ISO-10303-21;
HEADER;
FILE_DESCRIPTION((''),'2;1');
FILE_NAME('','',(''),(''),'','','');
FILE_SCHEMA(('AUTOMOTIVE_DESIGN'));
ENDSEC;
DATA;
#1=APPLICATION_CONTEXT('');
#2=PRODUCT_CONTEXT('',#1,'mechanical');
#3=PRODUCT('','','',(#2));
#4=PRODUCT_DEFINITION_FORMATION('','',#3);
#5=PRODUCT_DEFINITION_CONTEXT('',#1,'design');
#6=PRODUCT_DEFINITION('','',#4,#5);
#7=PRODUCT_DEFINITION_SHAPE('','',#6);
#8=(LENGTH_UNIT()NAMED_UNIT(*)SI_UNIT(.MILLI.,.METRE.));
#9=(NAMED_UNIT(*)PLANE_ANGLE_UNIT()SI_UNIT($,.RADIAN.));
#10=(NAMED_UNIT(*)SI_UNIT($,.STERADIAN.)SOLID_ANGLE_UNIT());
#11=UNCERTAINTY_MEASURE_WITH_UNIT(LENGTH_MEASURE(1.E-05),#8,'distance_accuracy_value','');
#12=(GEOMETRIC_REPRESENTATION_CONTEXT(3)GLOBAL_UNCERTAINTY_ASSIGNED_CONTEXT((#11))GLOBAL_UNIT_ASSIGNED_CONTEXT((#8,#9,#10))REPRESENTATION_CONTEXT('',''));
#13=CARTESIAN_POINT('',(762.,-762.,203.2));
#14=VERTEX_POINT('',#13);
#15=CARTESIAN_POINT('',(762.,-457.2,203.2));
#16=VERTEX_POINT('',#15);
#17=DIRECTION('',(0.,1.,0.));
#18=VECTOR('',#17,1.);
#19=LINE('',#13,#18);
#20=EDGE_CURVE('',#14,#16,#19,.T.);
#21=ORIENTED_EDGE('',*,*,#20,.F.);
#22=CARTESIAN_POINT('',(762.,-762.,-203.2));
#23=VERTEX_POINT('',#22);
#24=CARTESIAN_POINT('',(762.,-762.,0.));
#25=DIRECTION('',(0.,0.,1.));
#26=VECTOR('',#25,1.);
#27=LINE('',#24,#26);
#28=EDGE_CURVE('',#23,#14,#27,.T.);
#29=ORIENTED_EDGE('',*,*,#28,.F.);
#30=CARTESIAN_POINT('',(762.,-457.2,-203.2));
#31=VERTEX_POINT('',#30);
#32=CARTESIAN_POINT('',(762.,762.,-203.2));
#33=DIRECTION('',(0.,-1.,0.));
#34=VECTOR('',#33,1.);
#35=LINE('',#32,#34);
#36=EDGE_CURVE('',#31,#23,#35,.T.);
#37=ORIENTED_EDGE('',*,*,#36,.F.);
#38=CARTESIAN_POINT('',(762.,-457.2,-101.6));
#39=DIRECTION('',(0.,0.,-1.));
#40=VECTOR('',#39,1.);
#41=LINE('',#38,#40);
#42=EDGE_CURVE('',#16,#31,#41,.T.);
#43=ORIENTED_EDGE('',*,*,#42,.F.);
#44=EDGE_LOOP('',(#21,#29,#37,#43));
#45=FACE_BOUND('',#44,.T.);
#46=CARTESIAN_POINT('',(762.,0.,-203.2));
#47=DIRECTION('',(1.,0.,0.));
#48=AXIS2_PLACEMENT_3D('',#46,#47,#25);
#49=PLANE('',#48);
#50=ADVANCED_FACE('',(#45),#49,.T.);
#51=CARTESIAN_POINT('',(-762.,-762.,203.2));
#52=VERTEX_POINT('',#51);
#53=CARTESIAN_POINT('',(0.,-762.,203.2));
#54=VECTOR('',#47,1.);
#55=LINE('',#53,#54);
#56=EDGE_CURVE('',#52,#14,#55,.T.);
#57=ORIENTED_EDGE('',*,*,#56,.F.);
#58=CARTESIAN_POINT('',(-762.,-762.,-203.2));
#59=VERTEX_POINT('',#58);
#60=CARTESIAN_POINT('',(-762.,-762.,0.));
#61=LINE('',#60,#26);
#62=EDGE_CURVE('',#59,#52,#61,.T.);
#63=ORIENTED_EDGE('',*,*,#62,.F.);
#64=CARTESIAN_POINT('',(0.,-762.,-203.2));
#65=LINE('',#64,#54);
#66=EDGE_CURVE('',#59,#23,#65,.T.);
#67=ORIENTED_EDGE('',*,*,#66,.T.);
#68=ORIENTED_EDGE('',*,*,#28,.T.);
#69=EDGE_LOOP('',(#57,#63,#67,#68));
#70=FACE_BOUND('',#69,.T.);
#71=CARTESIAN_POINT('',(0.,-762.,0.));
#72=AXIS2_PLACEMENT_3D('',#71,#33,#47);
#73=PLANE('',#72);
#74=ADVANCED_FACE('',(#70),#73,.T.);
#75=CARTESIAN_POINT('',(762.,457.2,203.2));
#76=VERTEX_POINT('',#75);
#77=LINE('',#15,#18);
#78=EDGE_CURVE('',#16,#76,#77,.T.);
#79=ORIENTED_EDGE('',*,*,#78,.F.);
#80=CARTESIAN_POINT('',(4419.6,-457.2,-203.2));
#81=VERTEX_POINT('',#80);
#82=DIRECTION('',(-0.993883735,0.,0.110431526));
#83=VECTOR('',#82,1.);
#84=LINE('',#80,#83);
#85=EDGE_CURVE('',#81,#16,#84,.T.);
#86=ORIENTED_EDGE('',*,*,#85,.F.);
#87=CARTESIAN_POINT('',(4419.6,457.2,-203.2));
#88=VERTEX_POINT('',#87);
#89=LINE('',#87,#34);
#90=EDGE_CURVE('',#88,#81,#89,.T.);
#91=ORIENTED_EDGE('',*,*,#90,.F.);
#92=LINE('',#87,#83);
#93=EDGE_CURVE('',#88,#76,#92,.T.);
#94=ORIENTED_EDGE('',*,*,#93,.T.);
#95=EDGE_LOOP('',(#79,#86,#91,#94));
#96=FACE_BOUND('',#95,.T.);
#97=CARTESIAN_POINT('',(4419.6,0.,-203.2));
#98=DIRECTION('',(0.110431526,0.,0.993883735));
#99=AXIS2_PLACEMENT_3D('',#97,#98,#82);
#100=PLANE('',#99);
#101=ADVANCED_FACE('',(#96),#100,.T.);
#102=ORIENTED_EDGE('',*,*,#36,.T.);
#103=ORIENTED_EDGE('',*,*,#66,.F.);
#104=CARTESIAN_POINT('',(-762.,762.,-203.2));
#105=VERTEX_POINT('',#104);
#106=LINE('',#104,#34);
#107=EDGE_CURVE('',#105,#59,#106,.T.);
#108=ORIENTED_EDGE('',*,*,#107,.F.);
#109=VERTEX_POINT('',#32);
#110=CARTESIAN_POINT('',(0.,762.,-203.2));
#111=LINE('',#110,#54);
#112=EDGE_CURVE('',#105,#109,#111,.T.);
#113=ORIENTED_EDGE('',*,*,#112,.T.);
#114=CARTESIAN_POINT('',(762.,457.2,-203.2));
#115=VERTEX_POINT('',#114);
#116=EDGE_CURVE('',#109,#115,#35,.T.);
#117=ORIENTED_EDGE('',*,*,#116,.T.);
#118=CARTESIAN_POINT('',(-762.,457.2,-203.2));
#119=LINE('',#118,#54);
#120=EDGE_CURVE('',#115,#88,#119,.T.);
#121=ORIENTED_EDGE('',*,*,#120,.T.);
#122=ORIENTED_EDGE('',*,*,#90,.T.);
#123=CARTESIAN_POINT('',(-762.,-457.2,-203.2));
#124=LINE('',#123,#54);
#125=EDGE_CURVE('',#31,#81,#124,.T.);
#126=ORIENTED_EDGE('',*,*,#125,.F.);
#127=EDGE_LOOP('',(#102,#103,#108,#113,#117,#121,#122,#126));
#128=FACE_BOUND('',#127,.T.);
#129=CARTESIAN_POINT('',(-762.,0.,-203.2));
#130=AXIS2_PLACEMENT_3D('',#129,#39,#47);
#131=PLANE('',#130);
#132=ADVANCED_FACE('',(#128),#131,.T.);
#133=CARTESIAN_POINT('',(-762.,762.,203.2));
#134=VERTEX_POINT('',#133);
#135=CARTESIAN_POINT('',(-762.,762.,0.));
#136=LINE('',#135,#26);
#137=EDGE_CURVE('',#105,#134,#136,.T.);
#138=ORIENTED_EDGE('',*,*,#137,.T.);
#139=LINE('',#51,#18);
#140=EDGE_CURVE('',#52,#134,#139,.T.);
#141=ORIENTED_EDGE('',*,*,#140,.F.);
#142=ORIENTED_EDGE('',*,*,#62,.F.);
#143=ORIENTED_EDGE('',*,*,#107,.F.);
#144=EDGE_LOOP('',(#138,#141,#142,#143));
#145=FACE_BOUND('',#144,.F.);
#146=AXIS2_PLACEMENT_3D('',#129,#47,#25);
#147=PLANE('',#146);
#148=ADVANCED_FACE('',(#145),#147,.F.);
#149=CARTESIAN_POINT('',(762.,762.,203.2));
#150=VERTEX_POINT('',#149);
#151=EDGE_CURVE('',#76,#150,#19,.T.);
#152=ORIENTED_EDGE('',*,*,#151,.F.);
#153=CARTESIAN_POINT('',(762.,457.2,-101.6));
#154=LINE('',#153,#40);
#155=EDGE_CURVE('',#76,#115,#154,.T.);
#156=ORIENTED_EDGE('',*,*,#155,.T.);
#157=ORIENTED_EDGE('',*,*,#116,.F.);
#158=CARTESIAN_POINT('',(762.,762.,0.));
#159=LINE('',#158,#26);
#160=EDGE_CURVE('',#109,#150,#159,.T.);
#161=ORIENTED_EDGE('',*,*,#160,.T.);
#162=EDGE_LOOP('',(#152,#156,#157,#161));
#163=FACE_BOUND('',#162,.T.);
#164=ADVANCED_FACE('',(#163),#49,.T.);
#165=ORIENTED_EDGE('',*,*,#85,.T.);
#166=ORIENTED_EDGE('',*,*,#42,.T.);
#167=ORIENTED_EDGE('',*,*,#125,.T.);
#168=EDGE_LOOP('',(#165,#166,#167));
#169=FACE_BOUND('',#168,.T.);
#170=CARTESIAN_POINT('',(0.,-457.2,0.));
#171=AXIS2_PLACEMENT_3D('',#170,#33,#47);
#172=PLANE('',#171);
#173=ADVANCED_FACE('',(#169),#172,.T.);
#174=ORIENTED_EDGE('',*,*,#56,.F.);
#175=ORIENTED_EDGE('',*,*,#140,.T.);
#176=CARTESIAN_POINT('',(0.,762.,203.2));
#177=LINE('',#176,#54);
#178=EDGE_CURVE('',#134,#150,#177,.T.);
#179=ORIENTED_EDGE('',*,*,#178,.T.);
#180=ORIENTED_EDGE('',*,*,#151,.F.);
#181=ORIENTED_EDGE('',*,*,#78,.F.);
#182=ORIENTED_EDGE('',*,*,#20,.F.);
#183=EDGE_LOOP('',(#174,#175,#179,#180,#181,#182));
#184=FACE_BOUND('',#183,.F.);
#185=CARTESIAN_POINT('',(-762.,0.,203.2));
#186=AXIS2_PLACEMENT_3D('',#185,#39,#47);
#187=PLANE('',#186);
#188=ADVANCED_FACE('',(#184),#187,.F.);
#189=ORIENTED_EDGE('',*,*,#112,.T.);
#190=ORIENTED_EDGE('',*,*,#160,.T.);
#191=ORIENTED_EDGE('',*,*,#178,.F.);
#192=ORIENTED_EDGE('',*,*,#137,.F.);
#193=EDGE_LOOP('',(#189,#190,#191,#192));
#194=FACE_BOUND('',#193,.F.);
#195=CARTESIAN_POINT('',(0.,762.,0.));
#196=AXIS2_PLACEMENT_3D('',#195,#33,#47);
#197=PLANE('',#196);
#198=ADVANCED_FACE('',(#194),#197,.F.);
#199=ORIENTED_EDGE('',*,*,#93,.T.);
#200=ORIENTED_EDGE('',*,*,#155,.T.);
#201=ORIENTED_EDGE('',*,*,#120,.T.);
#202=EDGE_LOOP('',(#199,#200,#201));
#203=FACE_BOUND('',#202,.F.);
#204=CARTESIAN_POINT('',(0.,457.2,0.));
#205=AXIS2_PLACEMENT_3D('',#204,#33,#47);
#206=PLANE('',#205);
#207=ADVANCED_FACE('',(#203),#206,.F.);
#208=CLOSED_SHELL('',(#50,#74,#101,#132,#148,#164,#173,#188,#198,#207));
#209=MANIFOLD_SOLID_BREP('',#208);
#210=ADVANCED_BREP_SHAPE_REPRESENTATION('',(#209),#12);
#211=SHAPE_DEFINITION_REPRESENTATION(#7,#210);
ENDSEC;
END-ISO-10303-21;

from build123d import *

# Parameters (mm, degrees)
F0_W     = 1524
F0_H     = 406.4
F1_DEPTH = 762
F2_DEPTH = 457.2


with BuildPart() as f1:
    # F0 (on Front) → F1 (new body, symmetric)
    with BuildSketch(Plane.XZ):
        Rectangle(F0_W, F0_H)
    extrude(amount=F1_DEPTH, both=True)

    # F0 (on Front) → F2 (join, symmetric)
    with BuildSketch(Plane.XZ):
        Rectangle(F0_W, F0_H)
        Polygon((4419.6, -203.2), (762, 203.2), (762, -203.2), align=None)
    extrude(amount=F2_DEPTH, both=True)


solid = f1.part
